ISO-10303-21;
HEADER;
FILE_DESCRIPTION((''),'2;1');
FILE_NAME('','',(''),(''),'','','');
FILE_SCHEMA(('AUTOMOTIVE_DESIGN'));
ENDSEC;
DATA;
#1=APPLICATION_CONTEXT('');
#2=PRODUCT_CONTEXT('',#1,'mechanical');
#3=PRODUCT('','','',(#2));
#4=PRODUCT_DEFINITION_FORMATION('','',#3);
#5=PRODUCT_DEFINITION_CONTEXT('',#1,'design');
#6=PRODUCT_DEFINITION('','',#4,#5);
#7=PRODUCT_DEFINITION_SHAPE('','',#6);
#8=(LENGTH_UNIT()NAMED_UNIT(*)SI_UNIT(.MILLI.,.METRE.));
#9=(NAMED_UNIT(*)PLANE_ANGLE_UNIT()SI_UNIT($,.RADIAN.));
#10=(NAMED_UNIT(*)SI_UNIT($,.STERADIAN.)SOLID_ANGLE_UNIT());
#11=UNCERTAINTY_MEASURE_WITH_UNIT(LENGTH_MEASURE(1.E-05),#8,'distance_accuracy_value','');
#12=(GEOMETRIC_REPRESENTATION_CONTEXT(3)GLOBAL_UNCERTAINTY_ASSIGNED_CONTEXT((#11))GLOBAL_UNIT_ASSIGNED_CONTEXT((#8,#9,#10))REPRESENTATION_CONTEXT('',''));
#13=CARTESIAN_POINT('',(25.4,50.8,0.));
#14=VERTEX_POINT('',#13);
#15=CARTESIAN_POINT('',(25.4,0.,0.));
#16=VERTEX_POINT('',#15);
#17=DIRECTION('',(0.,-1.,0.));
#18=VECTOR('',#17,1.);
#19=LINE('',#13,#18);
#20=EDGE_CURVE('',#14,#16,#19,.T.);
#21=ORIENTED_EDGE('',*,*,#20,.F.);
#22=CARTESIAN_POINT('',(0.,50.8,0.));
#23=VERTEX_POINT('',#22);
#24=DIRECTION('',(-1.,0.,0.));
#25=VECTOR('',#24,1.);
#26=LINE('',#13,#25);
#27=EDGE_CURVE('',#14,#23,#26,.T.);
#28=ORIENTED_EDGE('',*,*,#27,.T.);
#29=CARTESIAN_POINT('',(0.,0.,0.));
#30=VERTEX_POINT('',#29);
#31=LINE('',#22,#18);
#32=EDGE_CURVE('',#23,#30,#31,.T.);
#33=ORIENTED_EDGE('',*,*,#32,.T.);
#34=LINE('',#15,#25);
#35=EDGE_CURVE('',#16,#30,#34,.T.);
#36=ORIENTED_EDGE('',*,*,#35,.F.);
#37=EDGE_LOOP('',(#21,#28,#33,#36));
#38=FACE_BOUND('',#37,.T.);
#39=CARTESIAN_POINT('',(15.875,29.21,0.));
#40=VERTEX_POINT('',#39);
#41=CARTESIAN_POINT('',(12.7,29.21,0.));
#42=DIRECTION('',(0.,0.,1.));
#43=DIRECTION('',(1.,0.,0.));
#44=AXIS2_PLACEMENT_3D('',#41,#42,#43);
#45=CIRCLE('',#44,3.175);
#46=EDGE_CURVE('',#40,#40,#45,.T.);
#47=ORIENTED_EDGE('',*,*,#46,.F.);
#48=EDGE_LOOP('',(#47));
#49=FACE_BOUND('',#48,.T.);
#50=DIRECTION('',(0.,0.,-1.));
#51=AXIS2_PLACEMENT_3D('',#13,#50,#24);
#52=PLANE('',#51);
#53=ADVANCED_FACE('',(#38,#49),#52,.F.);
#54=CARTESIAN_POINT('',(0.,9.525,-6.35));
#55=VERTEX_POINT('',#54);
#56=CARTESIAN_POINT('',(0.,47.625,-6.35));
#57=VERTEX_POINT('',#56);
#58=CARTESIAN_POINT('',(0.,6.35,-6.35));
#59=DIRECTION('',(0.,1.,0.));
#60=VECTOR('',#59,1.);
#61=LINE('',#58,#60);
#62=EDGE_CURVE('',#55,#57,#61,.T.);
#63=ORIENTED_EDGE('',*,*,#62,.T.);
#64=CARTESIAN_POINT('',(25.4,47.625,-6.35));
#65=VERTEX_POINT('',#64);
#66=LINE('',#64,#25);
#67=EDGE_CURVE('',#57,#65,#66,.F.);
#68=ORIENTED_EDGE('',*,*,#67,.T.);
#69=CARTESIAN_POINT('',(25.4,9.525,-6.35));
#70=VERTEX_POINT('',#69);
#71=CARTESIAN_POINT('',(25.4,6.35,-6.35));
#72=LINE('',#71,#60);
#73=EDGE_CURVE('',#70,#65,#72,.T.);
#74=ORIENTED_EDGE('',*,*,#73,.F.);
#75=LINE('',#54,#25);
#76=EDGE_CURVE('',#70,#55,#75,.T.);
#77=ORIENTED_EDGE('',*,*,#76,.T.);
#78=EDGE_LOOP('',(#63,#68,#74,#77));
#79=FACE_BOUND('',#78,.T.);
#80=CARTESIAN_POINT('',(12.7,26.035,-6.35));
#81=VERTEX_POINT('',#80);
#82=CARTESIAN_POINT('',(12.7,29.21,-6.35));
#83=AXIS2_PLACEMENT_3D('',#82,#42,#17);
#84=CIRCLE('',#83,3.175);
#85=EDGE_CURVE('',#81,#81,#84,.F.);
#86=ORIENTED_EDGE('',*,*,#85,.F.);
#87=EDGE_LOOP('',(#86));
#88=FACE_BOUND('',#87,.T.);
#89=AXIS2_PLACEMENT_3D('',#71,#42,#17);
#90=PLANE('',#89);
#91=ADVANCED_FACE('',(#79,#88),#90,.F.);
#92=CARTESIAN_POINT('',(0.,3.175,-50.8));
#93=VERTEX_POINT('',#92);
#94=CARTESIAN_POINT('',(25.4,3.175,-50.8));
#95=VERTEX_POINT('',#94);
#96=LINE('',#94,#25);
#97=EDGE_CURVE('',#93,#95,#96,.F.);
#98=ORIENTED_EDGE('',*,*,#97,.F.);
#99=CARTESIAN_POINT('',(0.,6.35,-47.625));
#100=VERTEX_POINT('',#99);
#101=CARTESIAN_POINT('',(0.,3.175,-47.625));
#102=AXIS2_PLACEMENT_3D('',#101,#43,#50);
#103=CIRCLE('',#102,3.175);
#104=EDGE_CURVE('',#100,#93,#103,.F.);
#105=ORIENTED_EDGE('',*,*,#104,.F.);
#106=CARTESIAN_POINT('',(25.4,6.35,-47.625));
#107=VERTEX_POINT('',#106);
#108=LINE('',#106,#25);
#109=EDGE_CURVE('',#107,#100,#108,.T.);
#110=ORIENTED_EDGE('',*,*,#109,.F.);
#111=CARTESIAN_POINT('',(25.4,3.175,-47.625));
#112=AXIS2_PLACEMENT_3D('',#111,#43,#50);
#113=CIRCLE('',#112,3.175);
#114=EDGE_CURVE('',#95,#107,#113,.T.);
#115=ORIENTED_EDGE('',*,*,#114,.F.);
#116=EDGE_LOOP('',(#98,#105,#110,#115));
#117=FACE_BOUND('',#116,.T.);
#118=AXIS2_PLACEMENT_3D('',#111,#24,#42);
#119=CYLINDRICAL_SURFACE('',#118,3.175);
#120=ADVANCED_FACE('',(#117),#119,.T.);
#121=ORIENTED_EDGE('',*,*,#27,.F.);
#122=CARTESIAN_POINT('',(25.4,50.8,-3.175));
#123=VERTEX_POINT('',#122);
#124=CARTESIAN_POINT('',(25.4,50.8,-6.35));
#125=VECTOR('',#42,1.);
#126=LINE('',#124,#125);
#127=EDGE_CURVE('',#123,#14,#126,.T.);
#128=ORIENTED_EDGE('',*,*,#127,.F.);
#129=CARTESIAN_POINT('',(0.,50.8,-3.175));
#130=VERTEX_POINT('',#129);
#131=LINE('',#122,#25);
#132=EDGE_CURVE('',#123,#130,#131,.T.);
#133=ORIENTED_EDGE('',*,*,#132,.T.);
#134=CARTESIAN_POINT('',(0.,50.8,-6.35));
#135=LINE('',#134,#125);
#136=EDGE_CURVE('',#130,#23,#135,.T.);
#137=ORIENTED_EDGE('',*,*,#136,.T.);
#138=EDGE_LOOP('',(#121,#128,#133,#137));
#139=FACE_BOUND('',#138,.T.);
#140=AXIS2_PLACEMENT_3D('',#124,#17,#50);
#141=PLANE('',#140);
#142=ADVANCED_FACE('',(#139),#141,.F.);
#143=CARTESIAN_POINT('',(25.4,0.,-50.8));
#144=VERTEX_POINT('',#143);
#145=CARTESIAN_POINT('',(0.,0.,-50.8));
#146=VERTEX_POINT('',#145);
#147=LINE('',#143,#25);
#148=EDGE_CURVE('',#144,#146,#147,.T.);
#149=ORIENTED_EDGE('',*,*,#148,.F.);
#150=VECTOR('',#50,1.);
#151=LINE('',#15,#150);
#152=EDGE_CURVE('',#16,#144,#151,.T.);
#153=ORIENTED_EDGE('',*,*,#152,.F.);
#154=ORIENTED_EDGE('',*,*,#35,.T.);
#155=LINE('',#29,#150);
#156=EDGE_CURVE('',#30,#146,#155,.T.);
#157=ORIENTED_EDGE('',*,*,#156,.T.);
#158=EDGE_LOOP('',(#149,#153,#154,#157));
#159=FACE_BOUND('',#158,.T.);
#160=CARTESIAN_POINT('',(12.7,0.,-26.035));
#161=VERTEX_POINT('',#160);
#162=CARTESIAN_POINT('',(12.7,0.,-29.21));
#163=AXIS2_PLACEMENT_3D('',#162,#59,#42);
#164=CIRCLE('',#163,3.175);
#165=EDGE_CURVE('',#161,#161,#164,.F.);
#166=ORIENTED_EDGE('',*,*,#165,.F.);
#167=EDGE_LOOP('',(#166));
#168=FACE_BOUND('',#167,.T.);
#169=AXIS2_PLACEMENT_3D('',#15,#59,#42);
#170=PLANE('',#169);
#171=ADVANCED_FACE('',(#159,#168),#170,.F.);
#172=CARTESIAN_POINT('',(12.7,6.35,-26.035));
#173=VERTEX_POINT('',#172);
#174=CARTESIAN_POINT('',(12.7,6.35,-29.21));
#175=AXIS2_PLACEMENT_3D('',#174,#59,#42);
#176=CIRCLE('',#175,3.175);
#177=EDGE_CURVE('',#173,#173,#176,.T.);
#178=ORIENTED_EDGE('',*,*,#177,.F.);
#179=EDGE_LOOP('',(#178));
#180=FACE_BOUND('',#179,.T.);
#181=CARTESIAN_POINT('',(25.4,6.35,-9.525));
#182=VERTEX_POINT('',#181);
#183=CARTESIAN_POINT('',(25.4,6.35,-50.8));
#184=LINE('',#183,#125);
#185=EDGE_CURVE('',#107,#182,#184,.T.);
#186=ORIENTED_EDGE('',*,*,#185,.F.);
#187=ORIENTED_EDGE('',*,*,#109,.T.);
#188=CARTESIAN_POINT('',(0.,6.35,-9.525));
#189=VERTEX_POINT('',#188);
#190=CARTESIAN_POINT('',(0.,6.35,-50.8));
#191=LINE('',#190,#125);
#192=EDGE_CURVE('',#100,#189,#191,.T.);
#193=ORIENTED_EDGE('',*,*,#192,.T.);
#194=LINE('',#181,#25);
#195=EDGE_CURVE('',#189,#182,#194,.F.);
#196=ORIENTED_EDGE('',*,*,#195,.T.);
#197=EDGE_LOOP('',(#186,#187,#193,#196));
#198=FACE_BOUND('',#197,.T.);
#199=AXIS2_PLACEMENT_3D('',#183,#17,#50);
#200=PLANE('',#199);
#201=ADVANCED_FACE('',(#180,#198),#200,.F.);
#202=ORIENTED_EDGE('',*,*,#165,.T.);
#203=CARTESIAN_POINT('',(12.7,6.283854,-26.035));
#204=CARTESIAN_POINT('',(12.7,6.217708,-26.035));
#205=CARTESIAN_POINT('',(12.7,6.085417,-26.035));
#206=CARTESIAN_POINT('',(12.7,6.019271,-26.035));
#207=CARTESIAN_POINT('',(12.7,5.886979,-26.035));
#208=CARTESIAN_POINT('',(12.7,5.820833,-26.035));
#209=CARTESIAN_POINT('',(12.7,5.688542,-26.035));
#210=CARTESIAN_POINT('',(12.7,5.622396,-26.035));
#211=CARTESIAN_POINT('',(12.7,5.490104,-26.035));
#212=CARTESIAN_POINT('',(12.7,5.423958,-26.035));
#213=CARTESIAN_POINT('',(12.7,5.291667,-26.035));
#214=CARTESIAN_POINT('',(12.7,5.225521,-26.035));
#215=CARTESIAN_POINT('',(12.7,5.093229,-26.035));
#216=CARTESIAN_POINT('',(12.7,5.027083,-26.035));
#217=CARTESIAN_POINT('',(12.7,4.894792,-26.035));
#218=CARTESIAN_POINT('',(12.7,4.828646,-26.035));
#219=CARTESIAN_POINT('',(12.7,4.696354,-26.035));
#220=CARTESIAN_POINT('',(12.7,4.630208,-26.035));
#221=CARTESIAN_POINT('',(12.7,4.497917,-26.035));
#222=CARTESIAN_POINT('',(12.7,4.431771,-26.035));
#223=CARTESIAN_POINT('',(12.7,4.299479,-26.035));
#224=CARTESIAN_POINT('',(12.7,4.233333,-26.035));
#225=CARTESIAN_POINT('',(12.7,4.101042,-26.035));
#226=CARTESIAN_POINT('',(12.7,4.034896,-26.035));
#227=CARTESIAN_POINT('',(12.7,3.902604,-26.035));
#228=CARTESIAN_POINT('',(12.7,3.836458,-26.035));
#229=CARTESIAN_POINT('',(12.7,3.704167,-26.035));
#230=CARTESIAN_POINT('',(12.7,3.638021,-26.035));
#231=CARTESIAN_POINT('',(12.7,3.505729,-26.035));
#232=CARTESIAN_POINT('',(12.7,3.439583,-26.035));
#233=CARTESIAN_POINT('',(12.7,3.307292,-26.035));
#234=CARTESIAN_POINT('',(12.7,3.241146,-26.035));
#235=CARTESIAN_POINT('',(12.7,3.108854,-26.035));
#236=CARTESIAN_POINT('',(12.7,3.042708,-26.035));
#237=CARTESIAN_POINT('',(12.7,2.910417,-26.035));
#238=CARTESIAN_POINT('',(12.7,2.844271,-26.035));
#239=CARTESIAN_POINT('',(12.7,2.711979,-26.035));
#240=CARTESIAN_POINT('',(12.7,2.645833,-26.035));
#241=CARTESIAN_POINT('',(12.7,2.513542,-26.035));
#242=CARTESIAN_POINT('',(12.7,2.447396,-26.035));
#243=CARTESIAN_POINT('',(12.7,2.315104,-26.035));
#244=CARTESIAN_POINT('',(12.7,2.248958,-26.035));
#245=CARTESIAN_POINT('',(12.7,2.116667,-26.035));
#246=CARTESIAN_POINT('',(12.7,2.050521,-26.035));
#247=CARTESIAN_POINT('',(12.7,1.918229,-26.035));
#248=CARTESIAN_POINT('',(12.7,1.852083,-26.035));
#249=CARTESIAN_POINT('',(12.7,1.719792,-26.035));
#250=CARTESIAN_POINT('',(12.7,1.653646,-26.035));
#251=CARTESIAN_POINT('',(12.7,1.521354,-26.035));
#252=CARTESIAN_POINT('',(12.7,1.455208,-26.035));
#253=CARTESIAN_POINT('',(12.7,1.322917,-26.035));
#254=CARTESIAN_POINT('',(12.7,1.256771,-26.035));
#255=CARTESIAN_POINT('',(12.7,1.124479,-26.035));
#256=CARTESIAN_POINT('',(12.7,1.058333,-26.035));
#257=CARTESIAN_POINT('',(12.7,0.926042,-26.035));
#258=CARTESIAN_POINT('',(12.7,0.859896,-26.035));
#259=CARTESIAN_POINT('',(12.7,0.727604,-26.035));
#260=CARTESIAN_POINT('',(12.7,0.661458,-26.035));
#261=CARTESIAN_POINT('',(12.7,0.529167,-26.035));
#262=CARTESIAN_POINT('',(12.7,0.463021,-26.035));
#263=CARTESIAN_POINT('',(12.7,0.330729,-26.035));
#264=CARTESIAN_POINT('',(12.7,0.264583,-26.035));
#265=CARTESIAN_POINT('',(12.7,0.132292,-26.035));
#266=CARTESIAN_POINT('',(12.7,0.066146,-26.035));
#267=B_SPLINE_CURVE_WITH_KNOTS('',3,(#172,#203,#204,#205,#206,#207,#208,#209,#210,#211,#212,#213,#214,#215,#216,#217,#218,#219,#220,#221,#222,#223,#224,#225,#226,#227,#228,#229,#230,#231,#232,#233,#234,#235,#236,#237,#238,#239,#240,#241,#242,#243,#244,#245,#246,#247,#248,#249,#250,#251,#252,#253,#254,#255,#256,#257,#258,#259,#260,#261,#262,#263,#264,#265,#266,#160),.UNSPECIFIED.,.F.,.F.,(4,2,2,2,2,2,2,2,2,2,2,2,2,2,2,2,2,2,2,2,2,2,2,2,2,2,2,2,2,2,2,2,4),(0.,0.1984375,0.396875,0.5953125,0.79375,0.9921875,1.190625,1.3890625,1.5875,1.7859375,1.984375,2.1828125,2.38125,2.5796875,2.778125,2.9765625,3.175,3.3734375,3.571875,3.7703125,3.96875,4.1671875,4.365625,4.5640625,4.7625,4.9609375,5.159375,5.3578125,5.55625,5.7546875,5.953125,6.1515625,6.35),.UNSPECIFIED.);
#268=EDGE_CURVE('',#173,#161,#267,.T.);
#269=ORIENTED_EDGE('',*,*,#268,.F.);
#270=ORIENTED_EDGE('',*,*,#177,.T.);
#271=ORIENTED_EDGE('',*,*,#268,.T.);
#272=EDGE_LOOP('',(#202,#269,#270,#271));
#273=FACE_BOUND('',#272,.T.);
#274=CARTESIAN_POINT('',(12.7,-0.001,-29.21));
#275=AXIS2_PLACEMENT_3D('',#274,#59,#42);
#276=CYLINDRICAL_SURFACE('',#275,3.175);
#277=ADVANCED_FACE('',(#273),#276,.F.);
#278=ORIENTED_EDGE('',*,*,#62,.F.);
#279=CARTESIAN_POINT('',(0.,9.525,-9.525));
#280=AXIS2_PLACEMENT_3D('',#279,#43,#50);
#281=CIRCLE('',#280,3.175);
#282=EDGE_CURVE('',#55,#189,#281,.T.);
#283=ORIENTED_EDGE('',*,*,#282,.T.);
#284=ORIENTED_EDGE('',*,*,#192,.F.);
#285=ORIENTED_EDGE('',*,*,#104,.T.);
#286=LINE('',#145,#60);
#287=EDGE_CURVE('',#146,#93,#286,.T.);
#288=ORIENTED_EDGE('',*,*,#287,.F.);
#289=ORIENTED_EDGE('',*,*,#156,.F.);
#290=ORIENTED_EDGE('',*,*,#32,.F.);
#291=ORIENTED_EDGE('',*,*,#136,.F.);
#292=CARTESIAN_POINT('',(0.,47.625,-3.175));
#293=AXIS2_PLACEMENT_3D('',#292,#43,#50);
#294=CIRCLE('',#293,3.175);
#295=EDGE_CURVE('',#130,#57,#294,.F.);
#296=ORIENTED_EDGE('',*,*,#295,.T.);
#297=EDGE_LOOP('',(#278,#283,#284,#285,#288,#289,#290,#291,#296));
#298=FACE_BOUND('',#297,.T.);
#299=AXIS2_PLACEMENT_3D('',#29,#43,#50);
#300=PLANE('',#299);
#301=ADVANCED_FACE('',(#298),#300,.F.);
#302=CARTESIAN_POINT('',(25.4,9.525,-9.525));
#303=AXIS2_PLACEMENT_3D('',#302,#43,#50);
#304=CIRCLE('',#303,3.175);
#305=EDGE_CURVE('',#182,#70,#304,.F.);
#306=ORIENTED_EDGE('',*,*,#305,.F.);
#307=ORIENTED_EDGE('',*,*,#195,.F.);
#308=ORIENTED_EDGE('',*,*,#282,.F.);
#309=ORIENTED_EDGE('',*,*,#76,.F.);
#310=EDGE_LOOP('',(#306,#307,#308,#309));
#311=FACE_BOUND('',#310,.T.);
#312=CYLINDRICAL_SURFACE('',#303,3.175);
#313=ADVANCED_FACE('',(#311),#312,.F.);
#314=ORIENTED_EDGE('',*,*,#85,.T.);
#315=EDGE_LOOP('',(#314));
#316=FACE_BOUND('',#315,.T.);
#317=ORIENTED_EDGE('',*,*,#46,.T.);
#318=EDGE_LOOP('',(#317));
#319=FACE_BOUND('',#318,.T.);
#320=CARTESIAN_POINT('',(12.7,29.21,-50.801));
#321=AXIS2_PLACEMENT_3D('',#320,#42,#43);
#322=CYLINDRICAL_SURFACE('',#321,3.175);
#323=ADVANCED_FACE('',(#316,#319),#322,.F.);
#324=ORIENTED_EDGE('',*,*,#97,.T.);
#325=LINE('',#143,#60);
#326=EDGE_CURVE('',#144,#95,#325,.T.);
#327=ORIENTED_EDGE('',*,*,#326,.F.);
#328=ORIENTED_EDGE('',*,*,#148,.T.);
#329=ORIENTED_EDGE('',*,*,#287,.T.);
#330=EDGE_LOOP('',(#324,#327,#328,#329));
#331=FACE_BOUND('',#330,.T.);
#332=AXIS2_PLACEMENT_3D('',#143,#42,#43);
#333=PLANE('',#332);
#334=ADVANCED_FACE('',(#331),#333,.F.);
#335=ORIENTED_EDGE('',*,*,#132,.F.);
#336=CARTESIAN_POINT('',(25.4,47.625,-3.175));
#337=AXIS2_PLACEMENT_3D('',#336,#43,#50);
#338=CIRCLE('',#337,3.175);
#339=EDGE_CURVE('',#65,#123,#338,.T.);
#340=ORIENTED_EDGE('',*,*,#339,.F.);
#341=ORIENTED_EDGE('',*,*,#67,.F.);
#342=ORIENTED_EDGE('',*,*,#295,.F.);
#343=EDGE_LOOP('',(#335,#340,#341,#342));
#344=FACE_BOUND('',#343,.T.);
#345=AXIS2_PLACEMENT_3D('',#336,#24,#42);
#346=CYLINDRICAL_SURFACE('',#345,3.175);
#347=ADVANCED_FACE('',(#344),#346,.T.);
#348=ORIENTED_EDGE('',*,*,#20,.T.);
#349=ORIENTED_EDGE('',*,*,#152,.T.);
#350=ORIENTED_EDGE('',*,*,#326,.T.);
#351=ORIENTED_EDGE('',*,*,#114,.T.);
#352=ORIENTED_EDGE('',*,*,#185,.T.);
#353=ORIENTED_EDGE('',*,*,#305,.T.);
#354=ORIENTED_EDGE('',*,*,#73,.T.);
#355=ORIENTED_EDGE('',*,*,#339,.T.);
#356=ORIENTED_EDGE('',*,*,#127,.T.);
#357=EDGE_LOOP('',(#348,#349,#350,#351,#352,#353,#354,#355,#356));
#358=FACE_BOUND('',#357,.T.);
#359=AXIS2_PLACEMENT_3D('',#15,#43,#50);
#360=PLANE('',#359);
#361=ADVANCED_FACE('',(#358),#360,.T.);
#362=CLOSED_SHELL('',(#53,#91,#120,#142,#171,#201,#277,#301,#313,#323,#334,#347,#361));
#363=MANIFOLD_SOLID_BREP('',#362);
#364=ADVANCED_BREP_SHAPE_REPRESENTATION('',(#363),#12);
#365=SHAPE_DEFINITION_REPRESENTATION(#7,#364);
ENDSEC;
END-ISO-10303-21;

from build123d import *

# Parameters (mm, degrees)
BOSS_EXTRUDE1_DEPTH = 25.4
CUT_EXTRUDE1_REACH  = 78.2
SKETCH2_R           = 3.175
CUT_EXTRUDE2_REACH  = 74.122
SKETCH3_R           = 3.175
FILLET1_R           = 3.175
FILLET2_R           = 3.175


with BuildPart() as part:
    # Sketch1 → Boss-Extrude1 (new body)
    with BuildSketch(Plane(origin=(0, 0, 0), x_dir=(0, 0, -1), z_dir=(1, 0, 0))):
        Polygon((0, 0), (50.8, 0), (50.8, 6.35), (6.35, 6.35), (6.35, 50.8), (0, 50.8), align=None)
    extrude(amount=BOSS_EXTRUDE1_DEPTH)

    # Sketch2 → Cut-Extrude1 (cut, up to next)
    with BuildSketch(Plane.XY, mode=Mode.PRIVATE) as cut_extrude1_sk1:
        with Locations((12.7, 29.21)):
            Circle(SKETCH2_R)
    cut_extrude1_tool1 = extrude(cut_extrude1_sk1.sketch, amount=-CUT_EXTRUDE1_REACH, mode=Mode.PRIVATE) & part.part
    add(cut_extrude1_tool1.solids().sort_by_distance((12.7, 29.21, 0))[0], mode=Mode.SUBTRACT)

    # Sketch3 → Cut-Extrude2 (cut, up to next)
    with BuildSketch(Plane(origin=(0, 6.35, 0), x_dir=(1, 0, 0), z_dir=(0, 1, 0)), mode=Mode.PRIVATE) as cut_extrude2_sk1:
        with Locations(Location((12.7, 29.21, 0), (0, 0, 270))):
            Circle(SKETCH3_R)
    cut_extrude2_tool1 = extrude(cut_extrude2_sk1.sketch, amount=-CUT_EXTRUDE2_REACH, mode=Mode.PRIVATE) & part.part
    add(cut_extrude2_tool1.solids().sort_by_distance((12.7, 6.35, -29.21))[0], mode=Mode.SUBTRACT)

    # Fillet1
    fillet1_edges = [part.edges().sort_by_distance(p)[0] for p in [
        (12.7, 6.35, -6.35),
    ]]
    fillet(fillet1_edges, radius=FILLET1_R)

    # Fillet2
    fillet2_edges = [part.edges().sort_by_distance(p)[0] for p in [
        (12.7, 50.8, -6.35),
        (12.7, 6.35, -50.8),
    ]]
    fillet(fillet2_edges, radius=FILLET2_R)


solid = part.part
